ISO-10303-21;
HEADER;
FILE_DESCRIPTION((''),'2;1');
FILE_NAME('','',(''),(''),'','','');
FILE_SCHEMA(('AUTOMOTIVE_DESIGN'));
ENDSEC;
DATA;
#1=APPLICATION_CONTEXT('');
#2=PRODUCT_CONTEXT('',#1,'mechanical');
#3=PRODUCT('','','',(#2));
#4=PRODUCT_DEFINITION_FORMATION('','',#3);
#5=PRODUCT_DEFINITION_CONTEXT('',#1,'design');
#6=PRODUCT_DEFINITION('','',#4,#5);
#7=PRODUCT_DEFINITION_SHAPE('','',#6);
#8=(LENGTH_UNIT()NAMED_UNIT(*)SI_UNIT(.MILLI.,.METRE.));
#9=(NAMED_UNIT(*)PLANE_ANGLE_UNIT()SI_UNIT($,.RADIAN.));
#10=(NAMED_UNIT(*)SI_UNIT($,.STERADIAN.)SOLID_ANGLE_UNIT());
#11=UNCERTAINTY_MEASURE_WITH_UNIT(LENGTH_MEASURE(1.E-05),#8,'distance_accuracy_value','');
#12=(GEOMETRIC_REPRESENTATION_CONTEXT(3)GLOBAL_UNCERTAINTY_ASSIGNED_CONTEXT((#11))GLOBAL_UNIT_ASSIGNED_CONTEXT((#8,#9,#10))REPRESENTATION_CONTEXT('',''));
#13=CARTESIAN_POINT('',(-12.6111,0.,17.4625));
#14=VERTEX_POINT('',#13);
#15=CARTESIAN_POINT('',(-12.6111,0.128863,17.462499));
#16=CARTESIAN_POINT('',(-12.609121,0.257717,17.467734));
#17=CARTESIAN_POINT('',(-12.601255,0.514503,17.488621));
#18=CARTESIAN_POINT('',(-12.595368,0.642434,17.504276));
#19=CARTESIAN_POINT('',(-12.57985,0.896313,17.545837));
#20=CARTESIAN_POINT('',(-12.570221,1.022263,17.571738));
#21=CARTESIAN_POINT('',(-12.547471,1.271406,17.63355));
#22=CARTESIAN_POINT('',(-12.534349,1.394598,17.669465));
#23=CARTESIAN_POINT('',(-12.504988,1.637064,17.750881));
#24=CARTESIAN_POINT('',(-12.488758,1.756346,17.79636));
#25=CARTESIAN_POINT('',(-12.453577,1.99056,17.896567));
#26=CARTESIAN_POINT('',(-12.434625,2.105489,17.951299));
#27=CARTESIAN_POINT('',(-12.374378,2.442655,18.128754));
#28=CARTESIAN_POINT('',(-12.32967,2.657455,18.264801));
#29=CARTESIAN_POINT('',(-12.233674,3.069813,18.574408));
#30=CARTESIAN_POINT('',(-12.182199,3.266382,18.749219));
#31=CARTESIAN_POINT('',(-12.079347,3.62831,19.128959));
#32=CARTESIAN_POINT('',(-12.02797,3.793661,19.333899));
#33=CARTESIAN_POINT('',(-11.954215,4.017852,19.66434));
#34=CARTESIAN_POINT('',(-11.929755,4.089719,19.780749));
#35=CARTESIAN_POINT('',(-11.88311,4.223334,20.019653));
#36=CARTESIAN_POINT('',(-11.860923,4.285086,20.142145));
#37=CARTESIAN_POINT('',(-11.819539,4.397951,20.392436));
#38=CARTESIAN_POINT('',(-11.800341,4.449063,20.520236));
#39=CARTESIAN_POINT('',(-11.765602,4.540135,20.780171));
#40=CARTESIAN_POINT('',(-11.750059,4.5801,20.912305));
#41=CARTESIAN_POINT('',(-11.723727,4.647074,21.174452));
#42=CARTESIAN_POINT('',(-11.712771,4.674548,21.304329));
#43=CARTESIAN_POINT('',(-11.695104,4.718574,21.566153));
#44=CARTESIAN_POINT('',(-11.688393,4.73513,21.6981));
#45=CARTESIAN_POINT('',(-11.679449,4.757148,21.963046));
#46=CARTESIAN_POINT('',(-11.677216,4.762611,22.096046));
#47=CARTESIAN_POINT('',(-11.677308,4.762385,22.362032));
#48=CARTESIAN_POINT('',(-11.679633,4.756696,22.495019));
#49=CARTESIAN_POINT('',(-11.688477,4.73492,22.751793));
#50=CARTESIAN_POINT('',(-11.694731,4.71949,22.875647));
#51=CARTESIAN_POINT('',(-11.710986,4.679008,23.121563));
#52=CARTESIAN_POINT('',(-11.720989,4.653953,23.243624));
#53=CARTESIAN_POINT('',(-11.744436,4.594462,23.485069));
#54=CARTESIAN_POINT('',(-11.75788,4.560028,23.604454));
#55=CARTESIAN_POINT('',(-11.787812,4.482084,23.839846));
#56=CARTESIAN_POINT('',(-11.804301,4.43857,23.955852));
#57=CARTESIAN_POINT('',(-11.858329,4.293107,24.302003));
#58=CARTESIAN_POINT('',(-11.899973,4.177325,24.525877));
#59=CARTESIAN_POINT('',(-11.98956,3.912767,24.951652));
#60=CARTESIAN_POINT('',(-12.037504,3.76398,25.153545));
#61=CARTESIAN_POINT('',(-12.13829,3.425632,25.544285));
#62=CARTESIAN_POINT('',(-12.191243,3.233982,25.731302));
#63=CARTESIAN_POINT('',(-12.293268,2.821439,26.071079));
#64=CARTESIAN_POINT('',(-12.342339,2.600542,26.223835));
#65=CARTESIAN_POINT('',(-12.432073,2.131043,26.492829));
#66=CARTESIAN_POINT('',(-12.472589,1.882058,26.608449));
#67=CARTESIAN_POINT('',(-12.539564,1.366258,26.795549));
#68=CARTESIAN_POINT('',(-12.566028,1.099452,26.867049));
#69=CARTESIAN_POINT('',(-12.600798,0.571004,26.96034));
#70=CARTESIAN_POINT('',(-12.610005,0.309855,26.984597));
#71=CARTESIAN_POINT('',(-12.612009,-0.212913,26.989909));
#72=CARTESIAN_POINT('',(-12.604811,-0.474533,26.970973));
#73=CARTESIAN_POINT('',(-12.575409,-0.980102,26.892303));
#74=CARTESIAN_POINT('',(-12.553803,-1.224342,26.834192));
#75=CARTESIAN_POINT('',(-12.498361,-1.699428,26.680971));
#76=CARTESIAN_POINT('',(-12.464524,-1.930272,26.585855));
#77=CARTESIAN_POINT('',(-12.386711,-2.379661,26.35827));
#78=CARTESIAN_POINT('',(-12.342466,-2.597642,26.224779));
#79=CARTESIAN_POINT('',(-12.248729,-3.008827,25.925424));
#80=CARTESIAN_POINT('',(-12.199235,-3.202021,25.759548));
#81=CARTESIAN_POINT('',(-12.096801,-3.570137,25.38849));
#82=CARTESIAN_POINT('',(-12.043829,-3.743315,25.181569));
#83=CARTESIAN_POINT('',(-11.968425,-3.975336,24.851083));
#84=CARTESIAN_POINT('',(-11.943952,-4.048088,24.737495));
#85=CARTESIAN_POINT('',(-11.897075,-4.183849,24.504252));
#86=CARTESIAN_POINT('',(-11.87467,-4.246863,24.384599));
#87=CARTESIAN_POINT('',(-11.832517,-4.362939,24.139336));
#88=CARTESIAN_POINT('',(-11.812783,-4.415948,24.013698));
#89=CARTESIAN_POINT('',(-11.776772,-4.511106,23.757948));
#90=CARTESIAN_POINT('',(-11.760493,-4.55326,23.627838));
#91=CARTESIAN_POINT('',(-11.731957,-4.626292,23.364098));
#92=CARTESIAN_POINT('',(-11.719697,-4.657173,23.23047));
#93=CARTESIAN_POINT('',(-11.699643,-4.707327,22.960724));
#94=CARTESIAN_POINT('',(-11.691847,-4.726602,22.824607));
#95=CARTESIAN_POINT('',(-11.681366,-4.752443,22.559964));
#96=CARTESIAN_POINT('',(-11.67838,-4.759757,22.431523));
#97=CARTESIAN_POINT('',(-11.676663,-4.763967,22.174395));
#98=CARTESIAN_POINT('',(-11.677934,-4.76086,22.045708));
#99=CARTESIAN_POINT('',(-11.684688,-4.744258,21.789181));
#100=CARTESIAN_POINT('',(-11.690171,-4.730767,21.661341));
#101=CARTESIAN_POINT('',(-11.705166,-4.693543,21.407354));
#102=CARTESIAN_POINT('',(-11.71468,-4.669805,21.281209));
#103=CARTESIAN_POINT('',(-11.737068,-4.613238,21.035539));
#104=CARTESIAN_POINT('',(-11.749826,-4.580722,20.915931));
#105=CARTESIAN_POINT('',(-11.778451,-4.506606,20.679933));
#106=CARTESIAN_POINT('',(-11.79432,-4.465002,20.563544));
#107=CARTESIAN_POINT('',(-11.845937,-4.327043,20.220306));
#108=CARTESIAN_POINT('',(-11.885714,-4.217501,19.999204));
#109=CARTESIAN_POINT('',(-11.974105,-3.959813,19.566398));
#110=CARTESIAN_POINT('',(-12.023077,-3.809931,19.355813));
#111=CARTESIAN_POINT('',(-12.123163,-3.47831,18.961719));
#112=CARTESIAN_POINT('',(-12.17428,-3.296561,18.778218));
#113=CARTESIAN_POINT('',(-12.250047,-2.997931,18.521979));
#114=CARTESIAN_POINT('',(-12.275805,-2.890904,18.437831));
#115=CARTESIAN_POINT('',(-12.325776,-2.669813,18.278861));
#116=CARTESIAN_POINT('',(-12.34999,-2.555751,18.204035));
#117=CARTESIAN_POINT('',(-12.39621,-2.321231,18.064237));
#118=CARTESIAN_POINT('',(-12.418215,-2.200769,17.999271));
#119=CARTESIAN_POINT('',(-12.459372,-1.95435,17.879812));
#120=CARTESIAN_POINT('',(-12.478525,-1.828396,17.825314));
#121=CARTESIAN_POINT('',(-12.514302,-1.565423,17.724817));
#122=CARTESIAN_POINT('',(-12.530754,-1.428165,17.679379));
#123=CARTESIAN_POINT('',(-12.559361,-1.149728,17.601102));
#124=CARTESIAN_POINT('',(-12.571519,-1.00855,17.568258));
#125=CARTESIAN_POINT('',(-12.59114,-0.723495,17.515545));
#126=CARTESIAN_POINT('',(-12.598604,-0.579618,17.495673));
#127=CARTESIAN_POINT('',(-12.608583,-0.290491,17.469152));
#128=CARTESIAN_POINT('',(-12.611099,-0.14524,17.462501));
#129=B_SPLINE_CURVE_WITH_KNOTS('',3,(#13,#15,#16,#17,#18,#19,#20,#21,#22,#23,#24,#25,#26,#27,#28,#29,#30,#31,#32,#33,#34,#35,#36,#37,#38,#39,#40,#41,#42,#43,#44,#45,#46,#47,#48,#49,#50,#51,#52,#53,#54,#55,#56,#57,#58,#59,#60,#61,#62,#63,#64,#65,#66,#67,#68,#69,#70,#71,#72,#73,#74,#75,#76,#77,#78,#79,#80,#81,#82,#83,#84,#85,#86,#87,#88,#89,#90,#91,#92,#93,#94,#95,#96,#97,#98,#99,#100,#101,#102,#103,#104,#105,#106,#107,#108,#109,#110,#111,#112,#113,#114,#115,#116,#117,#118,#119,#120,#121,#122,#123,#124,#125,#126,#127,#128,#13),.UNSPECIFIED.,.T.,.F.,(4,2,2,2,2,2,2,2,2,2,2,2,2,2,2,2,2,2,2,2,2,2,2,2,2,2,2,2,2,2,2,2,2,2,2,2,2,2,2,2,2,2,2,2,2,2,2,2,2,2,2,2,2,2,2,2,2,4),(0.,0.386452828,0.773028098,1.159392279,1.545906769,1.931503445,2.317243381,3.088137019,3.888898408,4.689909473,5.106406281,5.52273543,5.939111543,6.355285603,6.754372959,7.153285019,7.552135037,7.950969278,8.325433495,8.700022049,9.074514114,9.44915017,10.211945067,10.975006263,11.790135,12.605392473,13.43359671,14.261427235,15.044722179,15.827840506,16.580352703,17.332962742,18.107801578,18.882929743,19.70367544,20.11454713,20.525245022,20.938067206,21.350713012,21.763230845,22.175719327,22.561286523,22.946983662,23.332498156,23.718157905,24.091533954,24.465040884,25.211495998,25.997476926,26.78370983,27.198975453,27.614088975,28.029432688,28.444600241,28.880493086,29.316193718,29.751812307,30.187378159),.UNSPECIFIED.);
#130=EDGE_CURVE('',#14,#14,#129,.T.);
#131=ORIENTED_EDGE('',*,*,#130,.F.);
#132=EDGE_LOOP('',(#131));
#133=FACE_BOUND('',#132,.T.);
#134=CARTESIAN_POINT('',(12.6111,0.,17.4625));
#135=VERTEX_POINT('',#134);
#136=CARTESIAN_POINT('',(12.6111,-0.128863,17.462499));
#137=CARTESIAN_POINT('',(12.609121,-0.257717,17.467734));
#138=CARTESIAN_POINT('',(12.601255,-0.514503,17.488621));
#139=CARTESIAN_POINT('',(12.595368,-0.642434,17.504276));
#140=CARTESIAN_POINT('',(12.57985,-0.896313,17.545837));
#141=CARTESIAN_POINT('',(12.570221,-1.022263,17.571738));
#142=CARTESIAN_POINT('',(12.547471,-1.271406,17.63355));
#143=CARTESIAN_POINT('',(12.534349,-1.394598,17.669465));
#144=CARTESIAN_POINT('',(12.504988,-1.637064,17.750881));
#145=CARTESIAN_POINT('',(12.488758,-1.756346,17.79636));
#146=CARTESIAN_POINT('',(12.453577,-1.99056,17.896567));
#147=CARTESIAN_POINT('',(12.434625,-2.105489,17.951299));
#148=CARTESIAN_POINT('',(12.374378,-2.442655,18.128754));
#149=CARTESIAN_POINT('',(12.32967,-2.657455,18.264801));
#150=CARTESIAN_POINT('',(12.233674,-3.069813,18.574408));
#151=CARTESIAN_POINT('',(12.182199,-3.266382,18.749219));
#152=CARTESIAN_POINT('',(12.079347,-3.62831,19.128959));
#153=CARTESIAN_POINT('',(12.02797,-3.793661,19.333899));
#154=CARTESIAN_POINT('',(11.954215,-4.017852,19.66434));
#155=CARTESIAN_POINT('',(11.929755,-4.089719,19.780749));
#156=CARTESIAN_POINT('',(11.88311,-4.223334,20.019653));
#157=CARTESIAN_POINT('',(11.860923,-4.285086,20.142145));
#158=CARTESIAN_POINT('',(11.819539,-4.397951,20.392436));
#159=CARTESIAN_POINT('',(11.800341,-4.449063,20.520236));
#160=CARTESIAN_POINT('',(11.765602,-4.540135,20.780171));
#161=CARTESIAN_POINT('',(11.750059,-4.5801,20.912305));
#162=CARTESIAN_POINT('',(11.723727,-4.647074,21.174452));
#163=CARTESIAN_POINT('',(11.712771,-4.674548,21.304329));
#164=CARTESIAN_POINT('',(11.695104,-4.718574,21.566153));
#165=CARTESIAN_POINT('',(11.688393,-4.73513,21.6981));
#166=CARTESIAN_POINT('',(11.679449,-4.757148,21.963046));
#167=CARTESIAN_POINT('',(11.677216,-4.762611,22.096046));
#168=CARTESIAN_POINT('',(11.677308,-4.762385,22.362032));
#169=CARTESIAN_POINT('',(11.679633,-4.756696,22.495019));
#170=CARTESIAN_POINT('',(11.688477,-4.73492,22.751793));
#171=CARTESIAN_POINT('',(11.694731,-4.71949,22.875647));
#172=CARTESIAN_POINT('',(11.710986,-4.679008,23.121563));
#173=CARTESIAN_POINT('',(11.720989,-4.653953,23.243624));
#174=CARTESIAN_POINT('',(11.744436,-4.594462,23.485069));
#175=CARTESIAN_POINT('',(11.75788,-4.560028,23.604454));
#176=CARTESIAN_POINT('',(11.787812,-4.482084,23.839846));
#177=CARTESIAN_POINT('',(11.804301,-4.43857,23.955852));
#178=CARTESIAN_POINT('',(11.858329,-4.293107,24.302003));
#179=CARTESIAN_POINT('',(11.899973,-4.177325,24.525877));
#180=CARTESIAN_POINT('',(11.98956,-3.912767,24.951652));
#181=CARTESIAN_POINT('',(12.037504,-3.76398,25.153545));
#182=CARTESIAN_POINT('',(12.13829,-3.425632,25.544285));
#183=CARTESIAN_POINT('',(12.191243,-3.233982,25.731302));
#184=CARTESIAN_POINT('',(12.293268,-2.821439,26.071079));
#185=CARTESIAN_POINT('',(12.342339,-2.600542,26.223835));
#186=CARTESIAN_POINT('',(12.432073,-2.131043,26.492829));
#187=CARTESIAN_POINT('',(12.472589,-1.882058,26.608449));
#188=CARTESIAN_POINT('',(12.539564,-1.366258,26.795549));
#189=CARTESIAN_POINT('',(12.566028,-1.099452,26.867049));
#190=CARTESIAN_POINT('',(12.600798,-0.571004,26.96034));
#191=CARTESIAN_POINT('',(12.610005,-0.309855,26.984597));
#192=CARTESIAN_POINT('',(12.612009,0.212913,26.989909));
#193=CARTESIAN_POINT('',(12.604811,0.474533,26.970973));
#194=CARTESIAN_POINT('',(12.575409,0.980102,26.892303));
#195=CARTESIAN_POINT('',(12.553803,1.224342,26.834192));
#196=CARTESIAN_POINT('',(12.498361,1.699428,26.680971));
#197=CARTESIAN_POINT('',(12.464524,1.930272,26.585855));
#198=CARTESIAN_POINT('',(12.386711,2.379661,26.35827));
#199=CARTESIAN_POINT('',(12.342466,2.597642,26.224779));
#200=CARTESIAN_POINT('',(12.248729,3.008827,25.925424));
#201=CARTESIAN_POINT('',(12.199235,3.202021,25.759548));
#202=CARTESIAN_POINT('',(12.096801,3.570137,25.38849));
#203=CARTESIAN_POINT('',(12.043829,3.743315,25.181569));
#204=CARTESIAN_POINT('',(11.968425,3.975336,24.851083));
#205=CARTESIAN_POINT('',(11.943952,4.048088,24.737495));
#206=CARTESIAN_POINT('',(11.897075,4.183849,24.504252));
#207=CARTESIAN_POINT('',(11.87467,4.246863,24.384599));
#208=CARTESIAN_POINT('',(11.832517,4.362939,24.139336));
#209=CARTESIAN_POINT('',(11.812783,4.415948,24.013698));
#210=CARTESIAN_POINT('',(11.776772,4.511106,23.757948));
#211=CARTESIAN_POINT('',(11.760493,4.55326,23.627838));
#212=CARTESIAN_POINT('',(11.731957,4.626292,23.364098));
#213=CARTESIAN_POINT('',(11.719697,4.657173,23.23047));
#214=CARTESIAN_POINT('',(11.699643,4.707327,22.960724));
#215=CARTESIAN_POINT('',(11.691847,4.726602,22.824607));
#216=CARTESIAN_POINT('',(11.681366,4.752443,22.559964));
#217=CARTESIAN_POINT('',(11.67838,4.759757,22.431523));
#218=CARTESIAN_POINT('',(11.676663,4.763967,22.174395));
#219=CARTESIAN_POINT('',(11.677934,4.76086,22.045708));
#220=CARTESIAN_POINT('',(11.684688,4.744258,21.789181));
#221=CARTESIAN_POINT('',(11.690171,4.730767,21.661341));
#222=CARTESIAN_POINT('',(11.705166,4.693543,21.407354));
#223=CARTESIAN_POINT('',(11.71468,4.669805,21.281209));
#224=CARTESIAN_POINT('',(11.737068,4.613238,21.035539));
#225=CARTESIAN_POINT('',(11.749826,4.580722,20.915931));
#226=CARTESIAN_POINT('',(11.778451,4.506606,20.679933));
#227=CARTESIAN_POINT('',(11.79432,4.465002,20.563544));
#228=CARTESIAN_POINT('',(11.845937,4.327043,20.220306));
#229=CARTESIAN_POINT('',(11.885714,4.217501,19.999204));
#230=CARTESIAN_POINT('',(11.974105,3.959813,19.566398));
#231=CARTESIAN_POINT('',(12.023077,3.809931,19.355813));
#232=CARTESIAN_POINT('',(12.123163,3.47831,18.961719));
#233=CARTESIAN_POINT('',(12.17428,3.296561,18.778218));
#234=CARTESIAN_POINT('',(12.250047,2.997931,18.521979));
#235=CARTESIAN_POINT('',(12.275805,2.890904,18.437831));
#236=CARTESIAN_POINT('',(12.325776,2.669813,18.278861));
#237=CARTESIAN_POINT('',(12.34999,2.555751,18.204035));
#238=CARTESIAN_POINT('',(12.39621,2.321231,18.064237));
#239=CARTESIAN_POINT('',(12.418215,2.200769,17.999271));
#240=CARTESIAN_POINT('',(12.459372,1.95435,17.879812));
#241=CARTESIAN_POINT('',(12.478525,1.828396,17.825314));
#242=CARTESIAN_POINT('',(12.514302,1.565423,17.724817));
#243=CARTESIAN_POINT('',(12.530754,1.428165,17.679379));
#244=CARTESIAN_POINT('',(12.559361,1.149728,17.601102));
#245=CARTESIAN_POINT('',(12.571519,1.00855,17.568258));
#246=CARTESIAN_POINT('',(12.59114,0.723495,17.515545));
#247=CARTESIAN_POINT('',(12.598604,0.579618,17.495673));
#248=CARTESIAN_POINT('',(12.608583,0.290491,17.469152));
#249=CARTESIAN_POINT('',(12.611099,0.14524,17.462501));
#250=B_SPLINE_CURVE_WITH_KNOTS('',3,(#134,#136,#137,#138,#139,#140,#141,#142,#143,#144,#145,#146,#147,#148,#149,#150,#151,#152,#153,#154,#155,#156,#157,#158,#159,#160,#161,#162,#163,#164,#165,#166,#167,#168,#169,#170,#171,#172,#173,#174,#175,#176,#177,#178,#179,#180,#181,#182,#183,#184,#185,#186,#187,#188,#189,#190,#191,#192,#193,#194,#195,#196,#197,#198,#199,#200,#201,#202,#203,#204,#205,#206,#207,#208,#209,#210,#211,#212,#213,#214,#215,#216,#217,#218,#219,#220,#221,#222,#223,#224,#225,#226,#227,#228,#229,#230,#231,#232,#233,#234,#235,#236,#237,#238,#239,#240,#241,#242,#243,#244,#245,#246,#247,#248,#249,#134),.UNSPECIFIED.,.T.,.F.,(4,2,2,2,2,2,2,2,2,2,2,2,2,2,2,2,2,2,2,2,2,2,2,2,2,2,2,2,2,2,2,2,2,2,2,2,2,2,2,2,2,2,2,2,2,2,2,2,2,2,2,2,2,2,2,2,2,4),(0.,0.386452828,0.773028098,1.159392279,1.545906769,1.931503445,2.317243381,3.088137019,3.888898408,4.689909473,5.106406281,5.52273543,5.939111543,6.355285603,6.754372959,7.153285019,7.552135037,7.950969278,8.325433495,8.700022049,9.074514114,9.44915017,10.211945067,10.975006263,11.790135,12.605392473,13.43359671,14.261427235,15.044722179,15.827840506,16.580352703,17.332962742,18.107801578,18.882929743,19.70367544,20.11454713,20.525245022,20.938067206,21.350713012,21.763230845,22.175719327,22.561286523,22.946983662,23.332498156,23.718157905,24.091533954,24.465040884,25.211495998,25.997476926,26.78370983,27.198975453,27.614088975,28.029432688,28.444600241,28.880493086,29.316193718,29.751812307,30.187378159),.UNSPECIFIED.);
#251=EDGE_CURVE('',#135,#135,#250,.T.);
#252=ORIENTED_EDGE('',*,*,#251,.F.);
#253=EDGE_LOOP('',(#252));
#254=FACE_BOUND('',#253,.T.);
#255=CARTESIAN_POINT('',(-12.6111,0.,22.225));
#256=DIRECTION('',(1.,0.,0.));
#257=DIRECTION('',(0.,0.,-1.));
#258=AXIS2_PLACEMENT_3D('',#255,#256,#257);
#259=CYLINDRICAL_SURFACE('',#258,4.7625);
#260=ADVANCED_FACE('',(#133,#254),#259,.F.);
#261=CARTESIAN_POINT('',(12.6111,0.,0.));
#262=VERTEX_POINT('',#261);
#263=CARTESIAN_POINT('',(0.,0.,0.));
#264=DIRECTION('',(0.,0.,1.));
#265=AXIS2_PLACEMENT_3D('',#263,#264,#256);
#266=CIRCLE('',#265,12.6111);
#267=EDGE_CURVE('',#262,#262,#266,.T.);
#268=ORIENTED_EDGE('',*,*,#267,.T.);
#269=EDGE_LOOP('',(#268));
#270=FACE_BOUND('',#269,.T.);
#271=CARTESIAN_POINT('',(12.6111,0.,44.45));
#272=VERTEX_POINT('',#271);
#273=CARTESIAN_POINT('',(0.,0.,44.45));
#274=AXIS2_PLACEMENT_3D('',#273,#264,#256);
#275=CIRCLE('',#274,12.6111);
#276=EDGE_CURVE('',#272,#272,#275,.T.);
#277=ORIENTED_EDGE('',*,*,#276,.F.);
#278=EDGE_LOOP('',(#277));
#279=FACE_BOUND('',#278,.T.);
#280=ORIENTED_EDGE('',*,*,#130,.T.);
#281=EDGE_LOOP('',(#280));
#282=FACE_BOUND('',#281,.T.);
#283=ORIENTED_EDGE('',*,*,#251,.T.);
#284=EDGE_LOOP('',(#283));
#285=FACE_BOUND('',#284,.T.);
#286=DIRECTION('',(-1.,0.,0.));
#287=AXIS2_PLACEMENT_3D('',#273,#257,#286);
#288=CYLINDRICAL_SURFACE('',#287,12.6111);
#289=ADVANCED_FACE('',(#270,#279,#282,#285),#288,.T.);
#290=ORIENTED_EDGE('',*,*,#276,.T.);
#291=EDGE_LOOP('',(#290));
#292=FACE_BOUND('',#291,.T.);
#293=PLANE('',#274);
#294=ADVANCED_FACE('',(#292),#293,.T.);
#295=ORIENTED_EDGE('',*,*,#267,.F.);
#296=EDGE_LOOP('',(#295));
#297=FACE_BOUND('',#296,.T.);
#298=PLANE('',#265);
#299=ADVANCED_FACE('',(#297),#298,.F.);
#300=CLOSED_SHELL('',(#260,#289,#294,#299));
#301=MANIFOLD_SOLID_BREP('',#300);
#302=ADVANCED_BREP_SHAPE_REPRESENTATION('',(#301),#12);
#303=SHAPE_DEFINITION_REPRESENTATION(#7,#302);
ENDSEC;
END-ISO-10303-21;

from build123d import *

# Parameters (mm, degrees)
SKETCH1_R               = 12.6111
BOSS_EXTRUDE1_DEPTH     = 44.45
CUT_EXTRUDE1_DEPTH      = 48.894490147
CUT_EXTRUDE1_DEPTH_BACK = 48.894490147
SKETCH2_R               = 4.7625


with BuildPart() as part:
    # Sketch1 → Boss-Extrude1 (new body)
    with BuildSketch(Plane(origin=(0, 0, 0), x_dir=(0, 1, 0), z_dir=(0, 0, 1))):
        with Locations(Location((0, 0, 0), (0, 0, 270))):
            Circle(SKETCH1_R)
    extrude(amount=BOSS_EXTRUDE1_DEPTH)

    # Sketch2 → Cut-Extrude1 (cut, two sides: drawn at the far end of the back side and taken through both)
    with BuildSketch(Plane.YZ.offset(-CUT_EXTRUDE1_DEPTH_BACK)):
        with Locations(Location((0, 22.225, 0), (0, 0, 270))):
            Circle(SKETCH2_R)
    extrude(amount=CUT_EXTRUDE1_DEPTH + CUT_EXTRUDE1_DEPTH_BACK, mode=Mode.SUBTRACT)


solid = part.part
